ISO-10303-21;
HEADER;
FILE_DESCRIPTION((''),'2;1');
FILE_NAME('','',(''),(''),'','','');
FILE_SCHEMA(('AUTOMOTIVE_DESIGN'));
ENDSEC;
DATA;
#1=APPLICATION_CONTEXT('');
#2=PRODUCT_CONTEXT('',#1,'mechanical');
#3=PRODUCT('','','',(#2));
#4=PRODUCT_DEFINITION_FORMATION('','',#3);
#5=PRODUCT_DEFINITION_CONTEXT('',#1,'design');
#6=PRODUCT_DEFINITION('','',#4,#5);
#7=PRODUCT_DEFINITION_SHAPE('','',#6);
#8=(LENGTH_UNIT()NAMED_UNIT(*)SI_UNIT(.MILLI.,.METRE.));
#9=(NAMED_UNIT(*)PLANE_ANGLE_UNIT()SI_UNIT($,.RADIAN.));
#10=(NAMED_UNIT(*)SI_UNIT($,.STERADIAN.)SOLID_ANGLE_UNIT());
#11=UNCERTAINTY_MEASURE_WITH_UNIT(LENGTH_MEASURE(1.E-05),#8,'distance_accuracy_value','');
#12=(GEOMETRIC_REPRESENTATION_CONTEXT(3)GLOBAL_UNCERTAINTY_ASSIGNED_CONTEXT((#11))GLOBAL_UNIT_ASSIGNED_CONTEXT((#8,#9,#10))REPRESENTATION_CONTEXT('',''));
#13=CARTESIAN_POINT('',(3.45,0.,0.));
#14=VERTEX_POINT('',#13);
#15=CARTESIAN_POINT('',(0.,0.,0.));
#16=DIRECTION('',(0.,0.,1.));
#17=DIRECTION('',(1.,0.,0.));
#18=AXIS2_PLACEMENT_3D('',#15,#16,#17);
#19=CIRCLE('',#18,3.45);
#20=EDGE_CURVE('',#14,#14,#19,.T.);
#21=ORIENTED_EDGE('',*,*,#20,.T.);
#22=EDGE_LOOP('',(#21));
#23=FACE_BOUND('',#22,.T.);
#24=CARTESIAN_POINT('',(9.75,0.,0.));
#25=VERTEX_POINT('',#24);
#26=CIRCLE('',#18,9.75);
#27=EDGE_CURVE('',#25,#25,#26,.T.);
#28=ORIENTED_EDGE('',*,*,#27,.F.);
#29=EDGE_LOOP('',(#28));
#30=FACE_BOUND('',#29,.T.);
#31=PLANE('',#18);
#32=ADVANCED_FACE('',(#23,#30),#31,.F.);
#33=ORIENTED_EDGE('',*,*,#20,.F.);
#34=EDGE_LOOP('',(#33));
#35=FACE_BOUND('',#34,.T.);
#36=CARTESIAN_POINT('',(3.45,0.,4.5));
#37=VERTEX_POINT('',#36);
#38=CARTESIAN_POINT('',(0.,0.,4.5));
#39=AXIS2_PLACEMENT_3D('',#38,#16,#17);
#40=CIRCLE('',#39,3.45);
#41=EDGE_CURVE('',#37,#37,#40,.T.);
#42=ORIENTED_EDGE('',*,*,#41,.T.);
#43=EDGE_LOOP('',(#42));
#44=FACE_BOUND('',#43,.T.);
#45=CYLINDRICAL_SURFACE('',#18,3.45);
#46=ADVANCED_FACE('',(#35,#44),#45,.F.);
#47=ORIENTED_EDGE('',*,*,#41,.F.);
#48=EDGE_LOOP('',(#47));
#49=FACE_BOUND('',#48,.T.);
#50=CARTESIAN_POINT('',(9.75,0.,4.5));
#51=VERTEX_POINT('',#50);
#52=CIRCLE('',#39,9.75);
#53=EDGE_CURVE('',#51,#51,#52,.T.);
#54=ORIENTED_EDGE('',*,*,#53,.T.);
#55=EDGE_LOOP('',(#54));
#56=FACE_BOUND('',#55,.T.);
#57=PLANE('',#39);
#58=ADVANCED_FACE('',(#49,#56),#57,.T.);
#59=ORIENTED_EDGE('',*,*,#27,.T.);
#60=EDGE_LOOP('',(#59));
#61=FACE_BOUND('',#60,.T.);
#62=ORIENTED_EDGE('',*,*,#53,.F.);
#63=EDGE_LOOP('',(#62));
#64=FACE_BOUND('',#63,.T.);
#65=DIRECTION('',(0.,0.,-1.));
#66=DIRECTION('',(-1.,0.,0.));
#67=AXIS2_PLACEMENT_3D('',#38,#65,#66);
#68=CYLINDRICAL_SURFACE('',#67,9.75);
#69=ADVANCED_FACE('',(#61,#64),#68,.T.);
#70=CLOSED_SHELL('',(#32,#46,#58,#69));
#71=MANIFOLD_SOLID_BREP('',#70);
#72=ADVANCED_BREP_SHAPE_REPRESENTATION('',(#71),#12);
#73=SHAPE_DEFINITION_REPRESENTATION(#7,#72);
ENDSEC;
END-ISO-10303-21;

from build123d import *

# Parameters (mm, degrees)
SKETCH1_R           = 9.75
BOSS_EXTRUDE1_DEPTH = 4.5
SKETCH2_R           = 3.45
CUT_EXTRUDE1_DEPTH  = 4.5


with BuildPart() as part:
    # Sketch1 → Boss-Extrude1 (new body)
    with BuildSketch(Plane.XY):
        Circle(SKETCH1_R)
    extrude(amount=BOSS_EXTRUDE1_DEPTH)

    # Sketch2 → Cut-Extrude1 (cut)
    with BuildSketch(Plane.XY.offset(4.5)):
        Circle(SKETCH2_R)
    extrude(amount=-CUT_EXTRUDE1_DEPTH, mode=Mode.SUBTRACT)


solid = part.part
